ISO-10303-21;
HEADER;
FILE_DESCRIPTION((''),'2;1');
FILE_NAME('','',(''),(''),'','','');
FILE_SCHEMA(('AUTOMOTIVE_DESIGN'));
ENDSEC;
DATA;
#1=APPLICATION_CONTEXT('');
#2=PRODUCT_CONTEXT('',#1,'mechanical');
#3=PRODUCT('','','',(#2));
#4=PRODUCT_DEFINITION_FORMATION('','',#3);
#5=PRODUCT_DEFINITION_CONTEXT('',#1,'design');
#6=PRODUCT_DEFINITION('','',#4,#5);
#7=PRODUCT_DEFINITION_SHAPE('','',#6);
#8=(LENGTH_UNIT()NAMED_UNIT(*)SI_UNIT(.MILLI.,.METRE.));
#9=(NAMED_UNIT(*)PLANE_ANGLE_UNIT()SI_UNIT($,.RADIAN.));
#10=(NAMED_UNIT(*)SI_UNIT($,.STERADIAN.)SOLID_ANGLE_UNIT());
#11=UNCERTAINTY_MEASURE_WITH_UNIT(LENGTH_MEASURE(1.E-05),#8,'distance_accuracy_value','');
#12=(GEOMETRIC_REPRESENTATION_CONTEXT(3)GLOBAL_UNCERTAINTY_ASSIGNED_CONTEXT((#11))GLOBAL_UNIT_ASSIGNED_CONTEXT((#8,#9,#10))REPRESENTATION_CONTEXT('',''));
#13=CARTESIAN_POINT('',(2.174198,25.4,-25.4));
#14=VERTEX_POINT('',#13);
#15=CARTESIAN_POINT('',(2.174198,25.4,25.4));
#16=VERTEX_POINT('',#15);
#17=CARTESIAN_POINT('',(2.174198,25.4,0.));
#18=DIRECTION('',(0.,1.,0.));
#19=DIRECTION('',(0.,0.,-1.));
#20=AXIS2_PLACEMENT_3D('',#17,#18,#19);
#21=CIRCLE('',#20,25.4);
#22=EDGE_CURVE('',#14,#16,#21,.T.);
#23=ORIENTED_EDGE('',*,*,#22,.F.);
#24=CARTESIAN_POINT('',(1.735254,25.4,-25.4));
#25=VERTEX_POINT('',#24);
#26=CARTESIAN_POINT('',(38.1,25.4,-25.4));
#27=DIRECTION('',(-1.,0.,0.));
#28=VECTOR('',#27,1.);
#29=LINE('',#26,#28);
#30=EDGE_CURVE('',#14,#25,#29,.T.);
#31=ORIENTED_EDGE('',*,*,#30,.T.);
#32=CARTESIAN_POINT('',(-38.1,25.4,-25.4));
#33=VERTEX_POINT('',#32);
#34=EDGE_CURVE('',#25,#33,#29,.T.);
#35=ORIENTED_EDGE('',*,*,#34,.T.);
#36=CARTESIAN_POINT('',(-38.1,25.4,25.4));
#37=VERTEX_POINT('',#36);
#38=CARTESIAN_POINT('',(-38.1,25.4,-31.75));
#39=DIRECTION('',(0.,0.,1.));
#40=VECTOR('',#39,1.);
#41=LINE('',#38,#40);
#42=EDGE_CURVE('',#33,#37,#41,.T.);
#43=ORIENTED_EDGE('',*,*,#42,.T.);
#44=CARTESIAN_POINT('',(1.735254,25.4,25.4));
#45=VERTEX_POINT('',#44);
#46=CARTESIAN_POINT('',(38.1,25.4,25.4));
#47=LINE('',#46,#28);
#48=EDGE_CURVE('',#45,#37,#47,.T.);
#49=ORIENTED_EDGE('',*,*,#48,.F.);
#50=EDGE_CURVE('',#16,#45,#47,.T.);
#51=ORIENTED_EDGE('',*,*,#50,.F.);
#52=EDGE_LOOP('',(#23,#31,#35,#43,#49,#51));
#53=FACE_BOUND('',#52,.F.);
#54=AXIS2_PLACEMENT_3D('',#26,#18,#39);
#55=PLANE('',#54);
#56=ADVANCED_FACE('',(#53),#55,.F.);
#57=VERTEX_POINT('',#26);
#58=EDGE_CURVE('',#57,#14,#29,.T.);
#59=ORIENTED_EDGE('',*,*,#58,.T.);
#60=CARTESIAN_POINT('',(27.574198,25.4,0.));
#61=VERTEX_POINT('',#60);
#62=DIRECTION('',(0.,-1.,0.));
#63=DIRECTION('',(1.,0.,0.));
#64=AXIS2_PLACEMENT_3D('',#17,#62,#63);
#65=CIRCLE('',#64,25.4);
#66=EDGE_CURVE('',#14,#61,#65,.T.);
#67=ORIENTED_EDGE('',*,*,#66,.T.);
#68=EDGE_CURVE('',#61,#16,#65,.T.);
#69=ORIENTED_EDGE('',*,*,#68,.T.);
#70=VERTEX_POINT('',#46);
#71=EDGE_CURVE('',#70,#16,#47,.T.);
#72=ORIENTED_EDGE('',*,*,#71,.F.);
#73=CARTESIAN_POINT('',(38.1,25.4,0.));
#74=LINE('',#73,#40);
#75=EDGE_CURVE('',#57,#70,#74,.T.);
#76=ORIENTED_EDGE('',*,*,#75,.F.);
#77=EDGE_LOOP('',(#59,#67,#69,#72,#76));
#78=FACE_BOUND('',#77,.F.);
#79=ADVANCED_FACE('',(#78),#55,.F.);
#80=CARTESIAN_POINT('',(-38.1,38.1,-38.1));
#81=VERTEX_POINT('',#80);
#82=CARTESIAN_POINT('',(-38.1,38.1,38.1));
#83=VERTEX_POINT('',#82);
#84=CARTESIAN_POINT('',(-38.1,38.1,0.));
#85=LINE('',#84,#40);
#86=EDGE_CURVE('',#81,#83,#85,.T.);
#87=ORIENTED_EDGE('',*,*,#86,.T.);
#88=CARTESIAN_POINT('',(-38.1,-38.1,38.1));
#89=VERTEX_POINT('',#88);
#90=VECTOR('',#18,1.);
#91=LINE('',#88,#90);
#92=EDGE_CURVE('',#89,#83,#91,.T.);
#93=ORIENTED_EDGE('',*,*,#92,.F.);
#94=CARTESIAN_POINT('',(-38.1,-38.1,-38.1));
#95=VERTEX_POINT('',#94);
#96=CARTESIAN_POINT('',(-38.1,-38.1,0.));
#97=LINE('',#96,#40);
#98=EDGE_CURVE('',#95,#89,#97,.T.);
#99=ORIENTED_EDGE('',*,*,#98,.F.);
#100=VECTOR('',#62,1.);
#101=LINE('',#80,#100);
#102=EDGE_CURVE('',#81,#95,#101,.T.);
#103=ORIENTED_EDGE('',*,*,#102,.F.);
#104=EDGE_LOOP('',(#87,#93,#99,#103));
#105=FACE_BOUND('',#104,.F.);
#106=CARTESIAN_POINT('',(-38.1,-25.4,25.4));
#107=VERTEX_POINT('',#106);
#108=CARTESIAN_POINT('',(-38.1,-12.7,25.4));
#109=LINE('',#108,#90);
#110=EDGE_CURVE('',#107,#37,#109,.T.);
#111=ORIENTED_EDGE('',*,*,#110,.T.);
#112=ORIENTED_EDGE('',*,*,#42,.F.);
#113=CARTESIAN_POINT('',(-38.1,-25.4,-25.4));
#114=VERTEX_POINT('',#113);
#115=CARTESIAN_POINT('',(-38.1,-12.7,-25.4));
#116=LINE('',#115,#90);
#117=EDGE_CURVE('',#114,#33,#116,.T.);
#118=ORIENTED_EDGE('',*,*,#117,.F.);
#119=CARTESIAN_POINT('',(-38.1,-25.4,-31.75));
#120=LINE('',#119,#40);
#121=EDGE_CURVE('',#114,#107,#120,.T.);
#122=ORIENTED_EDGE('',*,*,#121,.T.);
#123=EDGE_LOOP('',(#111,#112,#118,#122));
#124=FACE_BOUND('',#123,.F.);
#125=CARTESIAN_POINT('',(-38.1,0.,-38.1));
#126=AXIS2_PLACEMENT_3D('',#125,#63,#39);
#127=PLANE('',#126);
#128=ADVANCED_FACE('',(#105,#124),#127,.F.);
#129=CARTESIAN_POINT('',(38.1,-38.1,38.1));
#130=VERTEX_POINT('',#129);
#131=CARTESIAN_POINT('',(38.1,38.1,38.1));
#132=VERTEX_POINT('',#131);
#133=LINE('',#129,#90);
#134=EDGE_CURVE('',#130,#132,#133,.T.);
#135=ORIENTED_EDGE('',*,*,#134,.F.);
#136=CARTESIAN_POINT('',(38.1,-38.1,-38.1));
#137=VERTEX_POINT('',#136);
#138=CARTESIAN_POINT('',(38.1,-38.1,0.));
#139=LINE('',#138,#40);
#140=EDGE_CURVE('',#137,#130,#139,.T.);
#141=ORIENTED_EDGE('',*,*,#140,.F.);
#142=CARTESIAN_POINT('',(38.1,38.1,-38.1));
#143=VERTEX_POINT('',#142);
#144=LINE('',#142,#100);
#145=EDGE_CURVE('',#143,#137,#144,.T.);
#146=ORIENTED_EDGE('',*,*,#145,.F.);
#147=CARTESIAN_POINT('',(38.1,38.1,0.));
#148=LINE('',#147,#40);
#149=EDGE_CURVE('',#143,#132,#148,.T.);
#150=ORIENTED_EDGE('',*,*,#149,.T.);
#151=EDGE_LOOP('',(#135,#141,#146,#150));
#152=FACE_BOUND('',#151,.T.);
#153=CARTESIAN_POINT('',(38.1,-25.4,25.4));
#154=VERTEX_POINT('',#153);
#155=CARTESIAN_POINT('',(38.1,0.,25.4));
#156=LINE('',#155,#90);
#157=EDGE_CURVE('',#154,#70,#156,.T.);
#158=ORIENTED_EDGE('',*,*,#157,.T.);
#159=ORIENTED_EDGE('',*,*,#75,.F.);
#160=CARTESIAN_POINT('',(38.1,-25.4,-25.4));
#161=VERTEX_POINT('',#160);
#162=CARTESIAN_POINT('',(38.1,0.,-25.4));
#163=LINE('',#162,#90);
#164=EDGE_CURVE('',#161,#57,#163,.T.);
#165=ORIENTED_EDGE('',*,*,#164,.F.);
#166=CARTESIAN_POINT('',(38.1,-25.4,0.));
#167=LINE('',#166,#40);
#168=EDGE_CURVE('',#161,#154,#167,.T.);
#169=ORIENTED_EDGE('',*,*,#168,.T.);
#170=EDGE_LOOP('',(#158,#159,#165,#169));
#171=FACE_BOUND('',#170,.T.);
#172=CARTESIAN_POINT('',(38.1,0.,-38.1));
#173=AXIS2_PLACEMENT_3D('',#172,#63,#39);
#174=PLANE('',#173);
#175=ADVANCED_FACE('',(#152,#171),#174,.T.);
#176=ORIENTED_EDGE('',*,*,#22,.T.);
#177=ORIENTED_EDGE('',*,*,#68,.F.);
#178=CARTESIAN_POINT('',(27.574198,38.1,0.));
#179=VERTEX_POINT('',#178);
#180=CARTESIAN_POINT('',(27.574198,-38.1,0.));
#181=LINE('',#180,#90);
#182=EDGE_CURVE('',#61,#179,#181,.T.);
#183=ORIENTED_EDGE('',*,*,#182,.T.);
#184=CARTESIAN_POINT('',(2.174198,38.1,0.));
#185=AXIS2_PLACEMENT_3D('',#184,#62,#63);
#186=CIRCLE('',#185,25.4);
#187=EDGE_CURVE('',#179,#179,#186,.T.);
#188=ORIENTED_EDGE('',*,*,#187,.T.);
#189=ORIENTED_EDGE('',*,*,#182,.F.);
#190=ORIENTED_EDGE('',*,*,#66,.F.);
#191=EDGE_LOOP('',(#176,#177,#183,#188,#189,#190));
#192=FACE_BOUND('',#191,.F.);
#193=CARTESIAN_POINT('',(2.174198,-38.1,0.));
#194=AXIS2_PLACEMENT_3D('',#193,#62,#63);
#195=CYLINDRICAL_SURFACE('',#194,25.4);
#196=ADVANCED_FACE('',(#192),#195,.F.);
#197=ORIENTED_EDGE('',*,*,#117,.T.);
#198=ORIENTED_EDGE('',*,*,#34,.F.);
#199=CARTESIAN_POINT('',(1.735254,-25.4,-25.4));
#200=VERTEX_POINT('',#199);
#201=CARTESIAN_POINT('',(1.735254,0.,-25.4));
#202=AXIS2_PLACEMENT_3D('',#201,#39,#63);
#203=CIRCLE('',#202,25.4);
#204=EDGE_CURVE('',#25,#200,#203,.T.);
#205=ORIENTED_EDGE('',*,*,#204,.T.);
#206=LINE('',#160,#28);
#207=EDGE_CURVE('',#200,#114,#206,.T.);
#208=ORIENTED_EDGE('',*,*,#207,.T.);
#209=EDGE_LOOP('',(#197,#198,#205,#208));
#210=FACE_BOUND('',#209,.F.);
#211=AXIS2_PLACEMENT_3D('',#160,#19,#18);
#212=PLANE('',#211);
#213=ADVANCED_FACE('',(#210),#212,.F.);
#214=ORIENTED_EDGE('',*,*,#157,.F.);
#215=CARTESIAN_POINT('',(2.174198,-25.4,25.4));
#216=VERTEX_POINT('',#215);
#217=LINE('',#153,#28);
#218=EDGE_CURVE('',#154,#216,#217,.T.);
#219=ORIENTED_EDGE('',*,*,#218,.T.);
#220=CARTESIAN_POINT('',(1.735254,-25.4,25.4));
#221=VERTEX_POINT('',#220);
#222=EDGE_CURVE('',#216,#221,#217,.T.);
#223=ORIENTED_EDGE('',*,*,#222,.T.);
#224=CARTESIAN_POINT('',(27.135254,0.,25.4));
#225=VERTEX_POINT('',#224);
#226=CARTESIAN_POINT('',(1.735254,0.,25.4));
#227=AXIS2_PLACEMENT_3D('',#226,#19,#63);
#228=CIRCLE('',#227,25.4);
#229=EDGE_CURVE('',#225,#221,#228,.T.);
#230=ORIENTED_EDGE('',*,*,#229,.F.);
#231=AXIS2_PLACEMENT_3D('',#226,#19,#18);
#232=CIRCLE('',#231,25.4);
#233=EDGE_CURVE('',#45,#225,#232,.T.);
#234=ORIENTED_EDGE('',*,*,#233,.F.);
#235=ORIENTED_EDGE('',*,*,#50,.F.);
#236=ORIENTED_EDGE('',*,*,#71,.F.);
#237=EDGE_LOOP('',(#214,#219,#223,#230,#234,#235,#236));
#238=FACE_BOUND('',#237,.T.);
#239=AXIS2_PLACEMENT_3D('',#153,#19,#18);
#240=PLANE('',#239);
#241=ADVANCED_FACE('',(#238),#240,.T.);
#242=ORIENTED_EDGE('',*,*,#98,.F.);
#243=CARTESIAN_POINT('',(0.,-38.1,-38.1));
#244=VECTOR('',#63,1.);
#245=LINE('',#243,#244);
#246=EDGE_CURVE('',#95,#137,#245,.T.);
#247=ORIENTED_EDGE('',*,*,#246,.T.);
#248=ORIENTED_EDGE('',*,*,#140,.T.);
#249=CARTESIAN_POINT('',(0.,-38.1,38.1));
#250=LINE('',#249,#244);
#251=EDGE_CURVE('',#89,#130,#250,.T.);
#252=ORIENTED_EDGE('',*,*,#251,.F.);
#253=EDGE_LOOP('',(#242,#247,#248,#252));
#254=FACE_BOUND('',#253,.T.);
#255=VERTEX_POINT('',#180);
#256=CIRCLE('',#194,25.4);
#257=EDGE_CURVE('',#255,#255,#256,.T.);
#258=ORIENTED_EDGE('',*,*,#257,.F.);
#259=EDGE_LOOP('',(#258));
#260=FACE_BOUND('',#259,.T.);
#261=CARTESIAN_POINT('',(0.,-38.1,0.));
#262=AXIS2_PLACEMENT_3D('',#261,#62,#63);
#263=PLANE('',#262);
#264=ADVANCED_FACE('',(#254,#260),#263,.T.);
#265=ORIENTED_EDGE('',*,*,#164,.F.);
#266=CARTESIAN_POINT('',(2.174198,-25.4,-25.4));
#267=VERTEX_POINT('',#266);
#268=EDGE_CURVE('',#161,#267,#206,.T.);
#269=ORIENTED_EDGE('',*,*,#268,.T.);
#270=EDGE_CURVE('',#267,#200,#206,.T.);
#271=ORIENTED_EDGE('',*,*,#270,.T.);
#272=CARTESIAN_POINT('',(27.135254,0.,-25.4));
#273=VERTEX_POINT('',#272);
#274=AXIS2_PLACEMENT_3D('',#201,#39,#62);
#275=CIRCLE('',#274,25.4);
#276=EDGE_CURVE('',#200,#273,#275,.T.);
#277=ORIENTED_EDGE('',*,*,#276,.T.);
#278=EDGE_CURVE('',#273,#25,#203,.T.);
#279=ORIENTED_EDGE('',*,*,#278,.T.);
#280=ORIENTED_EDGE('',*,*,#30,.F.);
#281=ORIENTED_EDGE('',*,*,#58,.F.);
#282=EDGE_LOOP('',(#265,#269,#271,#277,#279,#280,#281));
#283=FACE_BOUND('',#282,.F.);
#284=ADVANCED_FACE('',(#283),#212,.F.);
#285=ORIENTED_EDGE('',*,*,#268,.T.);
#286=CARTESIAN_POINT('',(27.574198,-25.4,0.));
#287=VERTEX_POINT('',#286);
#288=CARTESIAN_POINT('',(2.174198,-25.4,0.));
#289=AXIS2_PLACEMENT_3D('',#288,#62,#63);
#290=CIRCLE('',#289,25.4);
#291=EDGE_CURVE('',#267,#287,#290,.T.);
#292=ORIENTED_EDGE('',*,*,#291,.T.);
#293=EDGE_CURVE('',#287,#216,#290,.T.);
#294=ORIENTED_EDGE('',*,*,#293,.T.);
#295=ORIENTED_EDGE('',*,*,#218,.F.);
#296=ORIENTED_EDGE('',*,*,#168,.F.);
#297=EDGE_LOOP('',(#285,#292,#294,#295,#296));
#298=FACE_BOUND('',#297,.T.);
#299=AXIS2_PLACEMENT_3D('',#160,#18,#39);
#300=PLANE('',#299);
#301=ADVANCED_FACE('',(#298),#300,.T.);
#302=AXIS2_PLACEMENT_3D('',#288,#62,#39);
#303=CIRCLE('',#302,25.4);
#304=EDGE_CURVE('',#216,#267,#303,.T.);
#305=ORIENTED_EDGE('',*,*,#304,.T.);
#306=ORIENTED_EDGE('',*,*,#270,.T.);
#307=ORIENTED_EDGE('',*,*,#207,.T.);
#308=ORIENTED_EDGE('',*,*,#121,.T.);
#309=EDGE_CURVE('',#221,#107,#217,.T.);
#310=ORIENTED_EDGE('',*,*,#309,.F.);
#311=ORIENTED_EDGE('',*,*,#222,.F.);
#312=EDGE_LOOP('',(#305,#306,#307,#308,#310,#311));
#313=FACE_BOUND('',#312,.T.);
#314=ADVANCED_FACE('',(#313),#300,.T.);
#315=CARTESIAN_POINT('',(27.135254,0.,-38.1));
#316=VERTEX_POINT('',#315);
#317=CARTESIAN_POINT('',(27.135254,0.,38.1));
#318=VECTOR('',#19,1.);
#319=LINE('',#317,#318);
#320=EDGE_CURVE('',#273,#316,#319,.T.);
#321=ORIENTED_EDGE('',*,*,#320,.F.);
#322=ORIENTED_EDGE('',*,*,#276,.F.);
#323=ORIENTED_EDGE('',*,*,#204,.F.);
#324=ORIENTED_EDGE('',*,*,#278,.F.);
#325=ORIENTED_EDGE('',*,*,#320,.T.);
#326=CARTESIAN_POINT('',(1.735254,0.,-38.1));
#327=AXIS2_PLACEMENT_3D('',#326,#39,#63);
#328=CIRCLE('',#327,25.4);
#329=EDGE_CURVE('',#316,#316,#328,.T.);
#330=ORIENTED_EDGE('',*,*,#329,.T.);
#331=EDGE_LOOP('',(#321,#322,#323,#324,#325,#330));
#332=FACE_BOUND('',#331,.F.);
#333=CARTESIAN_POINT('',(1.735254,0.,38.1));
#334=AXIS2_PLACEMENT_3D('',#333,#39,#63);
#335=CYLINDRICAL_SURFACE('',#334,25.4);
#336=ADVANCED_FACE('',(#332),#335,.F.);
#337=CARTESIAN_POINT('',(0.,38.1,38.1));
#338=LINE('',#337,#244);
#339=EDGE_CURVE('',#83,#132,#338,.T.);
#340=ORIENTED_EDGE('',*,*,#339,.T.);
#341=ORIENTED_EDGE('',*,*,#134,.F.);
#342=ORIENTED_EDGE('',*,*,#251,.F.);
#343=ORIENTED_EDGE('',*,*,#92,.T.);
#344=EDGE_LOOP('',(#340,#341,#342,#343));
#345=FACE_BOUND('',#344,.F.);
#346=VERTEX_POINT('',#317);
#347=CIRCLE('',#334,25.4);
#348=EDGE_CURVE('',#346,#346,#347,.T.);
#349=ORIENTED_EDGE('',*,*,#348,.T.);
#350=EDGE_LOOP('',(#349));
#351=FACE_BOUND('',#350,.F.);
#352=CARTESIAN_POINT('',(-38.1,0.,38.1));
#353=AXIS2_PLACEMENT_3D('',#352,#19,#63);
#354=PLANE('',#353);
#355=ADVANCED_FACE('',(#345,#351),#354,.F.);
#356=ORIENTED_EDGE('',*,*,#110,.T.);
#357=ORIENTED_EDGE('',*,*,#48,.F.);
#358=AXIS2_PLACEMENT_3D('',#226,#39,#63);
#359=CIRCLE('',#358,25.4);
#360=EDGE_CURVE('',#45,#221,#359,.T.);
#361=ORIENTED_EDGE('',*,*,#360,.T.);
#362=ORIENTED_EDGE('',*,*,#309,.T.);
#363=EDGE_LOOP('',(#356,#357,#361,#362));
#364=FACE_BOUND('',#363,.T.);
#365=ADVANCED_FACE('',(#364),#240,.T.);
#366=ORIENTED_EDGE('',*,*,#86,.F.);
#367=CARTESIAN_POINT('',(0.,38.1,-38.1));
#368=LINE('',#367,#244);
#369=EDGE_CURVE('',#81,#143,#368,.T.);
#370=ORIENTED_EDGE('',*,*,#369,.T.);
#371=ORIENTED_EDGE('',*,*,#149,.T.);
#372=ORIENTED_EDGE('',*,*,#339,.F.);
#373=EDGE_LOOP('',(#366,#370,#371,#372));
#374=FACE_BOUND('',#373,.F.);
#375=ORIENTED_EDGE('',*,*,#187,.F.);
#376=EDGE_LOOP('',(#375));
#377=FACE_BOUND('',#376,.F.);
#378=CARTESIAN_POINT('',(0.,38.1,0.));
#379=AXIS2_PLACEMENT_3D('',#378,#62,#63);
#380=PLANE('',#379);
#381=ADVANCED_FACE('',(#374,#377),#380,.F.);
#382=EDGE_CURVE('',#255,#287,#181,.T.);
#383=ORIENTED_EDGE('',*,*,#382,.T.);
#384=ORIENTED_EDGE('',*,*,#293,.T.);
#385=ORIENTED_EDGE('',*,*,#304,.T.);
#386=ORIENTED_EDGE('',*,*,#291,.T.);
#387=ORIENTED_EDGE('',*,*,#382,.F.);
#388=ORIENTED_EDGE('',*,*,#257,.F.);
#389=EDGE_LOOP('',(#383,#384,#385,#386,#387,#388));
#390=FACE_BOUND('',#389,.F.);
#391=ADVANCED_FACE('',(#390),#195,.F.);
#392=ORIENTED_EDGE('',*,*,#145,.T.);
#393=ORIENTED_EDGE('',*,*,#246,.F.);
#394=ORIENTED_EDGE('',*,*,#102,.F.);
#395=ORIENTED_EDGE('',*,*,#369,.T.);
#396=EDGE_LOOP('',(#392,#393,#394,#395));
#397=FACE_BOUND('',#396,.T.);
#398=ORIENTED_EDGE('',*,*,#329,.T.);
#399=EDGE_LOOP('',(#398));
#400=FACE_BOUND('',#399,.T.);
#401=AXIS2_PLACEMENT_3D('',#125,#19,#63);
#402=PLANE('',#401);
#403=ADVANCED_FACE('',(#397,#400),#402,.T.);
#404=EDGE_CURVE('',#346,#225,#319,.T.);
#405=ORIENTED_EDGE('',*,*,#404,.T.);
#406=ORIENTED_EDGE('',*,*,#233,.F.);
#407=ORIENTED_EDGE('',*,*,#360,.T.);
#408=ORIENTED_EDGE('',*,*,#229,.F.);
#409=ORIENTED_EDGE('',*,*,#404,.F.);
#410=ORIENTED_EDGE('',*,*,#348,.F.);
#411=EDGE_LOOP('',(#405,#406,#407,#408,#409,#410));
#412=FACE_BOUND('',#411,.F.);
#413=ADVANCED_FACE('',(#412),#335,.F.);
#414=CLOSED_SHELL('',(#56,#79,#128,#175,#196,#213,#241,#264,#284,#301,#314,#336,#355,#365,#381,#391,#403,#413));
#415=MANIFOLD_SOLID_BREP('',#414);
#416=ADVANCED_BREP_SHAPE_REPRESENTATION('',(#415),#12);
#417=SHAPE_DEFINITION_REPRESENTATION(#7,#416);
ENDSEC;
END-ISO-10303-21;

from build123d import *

# Parameters (mm, degrees)
F0_W     = 76.2
F0_H     = 76.2
F1_DEPTH = 38.1
F2_R     = 25.4
F3_DEPTH = 101.6
F4_R     = 25.4
F5_DEPTH = 101.6
F6_W     = 50.8
F6_H     = 50.8
F7_DEPTH = 101.6


with BuildPart() as f1:
    # F0 (on Front) → F1 (new body, symmetric)
    with BuildSketch(Plane.XZ):
        Rectangle(F0_W, F0_H)
    extrude(amount=F1_DEPTH, both=True)

    # F2 (on face) → F3 (cut)
    with BuildSketch(Plane.XZ.offset(38.1)):
        with Locations((2.174198, 0)):
            Circle(F2_R)
    extrude(amount=-F3_DEPTH, mode=Mode.SUBTRACT)

    # F4 (on face) → F5 (cut)
    with BuildSketch(Plane.XY.offset(38.1)):
        with Locations((1.735254, 0)):
            Circle(F4_R)
    extrude(amount=-F5_DEPTH, mode=Mode.SUBTRACT)

    # F6 (on face) → F7 (cut)
    with BuildSketch(Plane.YZ.offset(38.1)):
        Rectangle(F6_W, F6_H)
    extrude(amount=-F7_DEPTH, mode=Mode.SUBTRACT)


solid = f1.part
